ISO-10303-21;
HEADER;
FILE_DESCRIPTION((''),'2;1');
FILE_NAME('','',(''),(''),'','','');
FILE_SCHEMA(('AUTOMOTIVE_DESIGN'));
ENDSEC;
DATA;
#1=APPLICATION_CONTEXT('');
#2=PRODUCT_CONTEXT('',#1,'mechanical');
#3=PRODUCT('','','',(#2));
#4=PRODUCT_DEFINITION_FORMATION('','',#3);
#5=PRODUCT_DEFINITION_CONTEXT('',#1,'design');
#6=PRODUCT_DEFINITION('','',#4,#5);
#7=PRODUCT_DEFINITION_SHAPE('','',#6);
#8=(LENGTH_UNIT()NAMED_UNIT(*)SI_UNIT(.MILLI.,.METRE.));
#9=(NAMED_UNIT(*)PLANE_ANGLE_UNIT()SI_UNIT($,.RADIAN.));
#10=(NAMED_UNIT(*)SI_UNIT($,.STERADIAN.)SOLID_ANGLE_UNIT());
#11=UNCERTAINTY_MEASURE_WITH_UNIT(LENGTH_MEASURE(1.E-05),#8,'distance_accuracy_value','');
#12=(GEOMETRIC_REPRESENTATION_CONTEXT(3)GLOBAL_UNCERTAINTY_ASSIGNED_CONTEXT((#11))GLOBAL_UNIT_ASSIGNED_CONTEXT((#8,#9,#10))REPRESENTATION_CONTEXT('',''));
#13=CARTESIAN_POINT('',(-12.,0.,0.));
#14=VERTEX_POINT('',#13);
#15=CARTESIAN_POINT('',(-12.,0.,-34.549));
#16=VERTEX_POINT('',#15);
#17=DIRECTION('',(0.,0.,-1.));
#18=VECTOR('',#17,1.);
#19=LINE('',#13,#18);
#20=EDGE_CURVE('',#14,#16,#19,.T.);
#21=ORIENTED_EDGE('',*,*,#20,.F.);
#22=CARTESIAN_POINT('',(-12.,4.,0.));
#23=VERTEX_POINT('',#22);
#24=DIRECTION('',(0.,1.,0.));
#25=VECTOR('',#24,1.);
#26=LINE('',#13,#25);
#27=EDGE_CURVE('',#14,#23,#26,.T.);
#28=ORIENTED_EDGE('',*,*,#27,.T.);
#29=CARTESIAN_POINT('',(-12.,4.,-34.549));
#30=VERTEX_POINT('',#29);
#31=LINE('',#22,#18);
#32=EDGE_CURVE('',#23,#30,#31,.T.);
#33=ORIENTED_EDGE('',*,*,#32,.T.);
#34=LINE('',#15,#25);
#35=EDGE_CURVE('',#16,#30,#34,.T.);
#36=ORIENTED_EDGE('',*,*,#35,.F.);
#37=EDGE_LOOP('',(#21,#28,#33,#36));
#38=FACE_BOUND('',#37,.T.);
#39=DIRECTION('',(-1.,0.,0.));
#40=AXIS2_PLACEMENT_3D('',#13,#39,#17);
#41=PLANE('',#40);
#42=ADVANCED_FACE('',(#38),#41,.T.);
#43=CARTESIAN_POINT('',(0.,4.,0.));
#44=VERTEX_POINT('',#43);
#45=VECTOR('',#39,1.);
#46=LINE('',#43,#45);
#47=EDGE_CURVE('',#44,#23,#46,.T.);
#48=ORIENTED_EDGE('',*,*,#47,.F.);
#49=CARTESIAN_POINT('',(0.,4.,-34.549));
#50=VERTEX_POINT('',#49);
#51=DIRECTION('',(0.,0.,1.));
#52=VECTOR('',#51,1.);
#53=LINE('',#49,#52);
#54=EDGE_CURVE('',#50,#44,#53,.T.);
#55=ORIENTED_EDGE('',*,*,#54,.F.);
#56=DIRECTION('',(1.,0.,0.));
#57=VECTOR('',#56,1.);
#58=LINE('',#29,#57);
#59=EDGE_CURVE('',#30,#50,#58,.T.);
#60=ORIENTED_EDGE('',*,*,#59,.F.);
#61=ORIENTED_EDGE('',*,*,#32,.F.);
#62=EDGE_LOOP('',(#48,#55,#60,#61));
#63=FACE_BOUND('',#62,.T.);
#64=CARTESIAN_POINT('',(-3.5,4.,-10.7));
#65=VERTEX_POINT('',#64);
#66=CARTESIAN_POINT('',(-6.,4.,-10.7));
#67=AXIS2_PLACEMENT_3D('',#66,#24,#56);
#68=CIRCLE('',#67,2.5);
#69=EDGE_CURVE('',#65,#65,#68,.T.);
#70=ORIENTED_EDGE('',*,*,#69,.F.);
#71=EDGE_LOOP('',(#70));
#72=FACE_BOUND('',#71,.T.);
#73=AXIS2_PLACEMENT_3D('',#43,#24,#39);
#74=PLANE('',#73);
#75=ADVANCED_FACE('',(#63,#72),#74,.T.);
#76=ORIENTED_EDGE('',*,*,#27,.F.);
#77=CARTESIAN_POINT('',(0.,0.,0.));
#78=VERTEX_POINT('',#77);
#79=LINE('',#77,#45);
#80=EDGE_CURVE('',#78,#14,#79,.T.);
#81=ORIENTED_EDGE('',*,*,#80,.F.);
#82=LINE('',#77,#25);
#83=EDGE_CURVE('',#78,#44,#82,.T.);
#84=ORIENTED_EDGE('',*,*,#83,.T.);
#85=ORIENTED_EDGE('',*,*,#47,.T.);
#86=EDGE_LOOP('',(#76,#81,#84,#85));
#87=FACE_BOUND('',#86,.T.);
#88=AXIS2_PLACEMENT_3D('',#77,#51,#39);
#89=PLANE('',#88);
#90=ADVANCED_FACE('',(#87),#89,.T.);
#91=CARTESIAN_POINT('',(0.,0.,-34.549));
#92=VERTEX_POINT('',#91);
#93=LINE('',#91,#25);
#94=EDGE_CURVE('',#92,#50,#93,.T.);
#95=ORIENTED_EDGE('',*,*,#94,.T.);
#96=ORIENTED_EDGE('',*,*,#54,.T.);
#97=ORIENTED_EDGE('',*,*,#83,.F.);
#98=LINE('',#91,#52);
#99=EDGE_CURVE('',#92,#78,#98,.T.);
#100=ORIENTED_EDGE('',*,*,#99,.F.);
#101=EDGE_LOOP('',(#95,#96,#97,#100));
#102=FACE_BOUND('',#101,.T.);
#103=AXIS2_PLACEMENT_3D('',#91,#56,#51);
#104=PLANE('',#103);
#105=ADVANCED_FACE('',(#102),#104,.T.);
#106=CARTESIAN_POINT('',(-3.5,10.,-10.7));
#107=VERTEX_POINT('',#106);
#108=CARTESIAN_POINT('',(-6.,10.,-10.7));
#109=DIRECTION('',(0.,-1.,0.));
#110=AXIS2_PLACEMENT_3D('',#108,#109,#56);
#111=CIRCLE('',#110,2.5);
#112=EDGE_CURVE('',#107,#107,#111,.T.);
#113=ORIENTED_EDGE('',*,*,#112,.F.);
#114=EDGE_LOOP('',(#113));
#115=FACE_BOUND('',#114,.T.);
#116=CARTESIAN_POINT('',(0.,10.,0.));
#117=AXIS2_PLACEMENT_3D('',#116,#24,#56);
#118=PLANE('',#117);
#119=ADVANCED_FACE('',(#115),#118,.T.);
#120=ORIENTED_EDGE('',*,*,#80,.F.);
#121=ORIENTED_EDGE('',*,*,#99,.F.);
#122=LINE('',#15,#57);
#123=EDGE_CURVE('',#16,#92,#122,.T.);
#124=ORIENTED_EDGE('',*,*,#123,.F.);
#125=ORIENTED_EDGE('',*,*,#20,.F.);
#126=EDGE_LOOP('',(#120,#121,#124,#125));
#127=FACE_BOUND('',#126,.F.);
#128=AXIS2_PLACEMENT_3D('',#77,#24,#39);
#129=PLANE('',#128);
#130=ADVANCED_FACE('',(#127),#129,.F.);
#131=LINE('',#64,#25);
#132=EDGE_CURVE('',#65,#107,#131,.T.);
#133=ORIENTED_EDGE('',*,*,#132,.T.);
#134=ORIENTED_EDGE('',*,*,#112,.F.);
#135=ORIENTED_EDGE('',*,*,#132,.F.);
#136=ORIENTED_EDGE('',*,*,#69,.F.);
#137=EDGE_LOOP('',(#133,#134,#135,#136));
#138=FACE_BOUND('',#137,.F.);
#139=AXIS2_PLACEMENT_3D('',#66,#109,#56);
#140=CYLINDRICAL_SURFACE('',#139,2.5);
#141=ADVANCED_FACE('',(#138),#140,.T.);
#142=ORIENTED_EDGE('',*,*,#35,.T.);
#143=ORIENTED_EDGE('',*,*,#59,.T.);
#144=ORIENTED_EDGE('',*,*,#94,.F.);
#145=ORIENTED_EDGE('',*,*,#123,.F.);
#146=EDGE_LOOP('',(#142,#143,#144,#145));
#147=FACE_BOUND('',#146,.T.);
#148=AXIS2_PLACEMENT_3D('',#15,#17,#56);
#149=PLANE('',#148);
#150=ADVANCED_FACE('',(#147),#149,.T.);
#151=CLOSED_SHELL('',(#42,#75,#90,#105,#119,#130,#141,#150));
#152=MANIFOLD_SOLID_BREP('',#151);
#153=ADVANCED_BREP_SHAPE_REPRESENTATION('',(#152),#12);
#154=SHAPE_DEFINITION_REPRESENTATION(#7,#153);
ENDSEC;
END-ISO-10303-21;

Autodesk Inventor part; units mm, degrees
ref_plane "YZ Plane" through (0, 0, 0) normal (1, 0, 0) x (0, 1, 0)
ref_plane "XZ Plane" through (0, 0, 0) normal (0, 1, 0) x (-1, 0, 0)
ref_plane "XY Plane" through (0, 0, 0) normal (0, 0, 1) x (1, 0, 0)
sketch "Sketch6" plane through (0, 0, 0) normal (0, 1, 0) x (-1, 0, 0)
  line L0 (0, 0) -> (12, 0)
  line L1 (12, 0) -> (12, -34.549)
  line L2 (12, -34.549) -> (0, -34.549)
  line L3 (0, -34.549) -> (0, 0)
  dimension "d22" = 12
  dimension "d23" = 34.549
extrude "Extrusion6" add sketch "Sketch6" along normal blind 4
sketch "Sketch7" plane through (0, 4, 0) normal (0, 1, 0) x (1, 0, 0)
  line L0 (-12, 0) -> (0, 0) projected
  line L1 (0, 0) -> (-6, 0)
  line L2 (-6, 0) -> (-6, 10.7)
  line L3 (-6, 10.7) -> (0, 10.7)
  line L4 (0, 10.7) -> (0, 0)
  circle A0 centre (-6, 10.7) radius 2.5
  dimension "d26" = 6
  dimension "d27" = 10.7
  dimension "d28" = 5
extrude "Extrusion7" add sketch "Sketch7" along normal blind 6 contours A0 L3 L2 | L2 L3 A0
properties part number "filler"
